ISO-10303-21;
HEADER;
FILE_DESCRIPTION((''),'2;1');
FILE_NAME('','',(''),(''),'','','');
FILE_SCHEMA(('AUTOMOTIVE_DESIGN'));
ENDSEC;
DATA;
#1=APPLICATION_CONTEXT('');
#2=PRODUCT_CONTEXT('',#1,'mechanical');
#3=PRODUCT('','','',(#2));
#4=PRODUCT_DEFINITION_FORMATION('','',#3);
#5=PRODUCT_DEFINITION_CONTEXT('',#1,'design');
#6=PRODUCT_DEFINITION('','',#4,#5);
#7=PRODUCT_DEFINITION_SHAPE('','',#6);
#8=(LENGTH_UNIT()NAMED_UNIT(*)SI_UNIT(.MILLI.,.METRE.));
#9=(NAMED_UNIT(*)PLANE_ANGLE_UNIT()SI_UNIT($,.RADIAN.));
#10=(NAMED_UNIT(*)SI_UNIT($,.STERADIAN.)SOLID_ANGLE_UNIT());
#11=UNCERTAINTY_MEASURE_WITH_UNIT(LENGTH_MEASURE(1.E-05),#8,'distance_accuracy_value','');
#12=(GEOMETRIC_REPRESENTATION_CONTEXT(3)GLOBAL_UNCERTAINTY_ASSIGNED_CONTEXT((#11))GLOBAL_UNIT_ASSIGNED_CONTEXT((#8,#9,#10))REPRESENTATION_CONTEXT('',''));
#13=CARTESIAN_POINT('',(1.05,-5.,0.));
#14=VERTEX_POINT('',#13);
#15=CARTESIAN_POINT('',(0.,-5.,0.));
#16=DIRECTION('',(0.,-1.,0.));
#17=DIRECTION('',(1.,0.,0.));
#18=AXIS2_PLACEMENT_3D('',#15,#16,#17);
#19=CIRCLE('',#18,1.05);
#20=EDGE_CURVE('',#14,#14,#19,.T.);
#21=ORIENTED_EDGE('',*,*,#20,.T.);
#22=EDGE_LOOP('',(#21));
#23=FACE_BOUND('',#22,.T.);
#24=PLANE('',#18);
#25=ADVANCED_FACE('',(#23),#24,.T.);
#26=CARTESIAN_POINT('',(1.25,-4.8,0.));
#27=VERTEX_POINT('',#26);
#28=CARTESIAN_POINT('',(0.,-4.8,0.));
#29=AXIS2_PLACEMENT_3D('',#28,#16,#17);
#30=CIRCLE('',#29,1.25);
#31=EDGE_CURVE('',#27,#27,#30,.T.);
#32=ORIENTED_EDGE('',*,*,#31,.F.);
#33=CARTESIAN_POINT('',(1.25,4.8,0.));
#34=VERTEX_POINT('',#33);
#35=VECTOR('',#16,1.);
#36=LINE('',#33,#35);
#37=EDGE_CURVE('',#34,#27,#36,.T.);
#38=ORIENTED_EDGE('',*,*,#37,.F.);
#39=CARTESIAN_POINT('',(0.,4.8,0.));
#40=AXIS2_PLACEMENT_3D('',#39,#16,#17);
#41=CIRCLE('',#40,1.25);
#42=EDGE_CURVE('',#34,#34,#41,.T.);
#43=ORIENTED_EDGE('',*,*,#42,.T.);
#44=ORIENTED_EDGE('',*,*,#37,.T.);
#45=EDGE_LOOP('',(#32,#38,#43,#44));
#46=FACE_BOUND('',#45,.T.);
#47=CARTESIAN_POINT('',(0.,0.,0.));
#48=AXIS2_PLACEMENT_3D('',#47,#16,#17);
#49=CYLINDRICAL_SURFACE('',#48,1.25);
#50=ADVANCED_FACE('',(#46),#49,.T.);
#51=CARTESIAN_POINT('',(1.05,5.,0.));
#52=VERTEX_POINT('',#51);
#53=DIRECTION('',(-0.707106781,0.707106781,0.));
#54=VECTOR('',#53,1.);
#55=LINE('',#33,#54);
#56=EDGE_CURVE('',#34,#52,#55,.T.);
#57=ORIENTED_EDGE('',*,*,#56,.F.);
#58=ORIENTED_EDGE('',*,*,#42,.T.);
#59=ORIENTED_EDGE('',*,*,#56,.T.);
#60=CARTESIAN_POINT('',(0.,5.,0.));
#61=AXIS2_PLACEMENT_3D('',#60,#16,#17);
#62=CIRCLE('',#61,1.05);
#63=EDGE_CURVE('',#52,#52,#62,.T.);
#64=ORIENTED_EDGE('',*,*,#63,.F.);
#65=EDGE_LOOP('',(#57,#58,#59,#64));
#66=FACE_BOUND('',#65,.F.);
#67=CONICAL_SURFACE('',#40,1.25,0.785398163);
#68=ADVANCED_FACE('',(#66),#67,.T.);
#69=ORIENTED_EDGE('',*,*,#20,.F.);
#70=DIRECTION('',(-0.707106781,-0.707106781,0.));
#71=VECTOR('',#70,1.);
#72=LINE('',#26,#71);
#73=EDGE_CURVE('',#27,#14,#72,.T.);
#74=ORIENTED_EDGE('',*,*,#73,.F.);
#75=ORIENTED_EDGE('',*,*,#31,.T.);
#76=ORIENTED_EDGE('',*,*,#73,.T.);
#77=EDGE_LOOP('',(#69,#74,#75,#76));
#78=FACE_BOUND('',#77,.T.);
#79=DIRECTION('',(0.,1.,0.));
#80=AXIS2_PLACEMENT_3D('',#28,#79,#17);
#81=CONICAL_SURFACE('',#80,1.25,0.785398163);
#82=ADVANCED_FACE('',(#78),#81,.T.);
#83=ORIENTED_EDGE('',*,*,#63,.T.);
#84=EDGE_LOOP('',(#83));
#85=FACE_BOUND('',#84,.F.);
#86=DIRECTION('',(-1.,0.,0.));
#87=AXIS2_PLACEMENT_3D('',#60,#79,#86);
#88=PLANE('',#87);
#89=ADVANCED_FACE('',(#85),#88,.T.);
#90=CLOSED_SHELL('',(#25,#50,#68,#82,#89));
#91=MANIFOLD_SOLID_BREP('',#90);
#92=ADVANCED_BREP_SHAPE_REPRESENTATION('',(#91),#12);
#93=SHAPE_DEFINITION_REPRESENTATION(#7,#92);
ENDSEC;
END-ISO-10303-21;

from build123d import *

# Parameters (mm, degrees)
F0_R     = 1.25
F1_DEPTH = 5
F2_SIZE  = 0.2


with BuildPart() as f1:
    # F0 (on Front) → F1 (new body)
    with BuildSketch(Plane.XZ):
        Circle(F0_R)
    extrude(amount=F1_DEPTH)

    # F2
    f2_edges = [f1.edges().sort_by_distance(p)[0] for p in [
        (-1.25, -5, 0),
    ]]
    chamfer(f2_edges, length=F2_SIZE)

    # F3: F1 across plane


with BuildPart() as f1_1:
    add(f1.part)
    add(f1.part.mirror(Plane.XZ))


solid = f1_1.part
